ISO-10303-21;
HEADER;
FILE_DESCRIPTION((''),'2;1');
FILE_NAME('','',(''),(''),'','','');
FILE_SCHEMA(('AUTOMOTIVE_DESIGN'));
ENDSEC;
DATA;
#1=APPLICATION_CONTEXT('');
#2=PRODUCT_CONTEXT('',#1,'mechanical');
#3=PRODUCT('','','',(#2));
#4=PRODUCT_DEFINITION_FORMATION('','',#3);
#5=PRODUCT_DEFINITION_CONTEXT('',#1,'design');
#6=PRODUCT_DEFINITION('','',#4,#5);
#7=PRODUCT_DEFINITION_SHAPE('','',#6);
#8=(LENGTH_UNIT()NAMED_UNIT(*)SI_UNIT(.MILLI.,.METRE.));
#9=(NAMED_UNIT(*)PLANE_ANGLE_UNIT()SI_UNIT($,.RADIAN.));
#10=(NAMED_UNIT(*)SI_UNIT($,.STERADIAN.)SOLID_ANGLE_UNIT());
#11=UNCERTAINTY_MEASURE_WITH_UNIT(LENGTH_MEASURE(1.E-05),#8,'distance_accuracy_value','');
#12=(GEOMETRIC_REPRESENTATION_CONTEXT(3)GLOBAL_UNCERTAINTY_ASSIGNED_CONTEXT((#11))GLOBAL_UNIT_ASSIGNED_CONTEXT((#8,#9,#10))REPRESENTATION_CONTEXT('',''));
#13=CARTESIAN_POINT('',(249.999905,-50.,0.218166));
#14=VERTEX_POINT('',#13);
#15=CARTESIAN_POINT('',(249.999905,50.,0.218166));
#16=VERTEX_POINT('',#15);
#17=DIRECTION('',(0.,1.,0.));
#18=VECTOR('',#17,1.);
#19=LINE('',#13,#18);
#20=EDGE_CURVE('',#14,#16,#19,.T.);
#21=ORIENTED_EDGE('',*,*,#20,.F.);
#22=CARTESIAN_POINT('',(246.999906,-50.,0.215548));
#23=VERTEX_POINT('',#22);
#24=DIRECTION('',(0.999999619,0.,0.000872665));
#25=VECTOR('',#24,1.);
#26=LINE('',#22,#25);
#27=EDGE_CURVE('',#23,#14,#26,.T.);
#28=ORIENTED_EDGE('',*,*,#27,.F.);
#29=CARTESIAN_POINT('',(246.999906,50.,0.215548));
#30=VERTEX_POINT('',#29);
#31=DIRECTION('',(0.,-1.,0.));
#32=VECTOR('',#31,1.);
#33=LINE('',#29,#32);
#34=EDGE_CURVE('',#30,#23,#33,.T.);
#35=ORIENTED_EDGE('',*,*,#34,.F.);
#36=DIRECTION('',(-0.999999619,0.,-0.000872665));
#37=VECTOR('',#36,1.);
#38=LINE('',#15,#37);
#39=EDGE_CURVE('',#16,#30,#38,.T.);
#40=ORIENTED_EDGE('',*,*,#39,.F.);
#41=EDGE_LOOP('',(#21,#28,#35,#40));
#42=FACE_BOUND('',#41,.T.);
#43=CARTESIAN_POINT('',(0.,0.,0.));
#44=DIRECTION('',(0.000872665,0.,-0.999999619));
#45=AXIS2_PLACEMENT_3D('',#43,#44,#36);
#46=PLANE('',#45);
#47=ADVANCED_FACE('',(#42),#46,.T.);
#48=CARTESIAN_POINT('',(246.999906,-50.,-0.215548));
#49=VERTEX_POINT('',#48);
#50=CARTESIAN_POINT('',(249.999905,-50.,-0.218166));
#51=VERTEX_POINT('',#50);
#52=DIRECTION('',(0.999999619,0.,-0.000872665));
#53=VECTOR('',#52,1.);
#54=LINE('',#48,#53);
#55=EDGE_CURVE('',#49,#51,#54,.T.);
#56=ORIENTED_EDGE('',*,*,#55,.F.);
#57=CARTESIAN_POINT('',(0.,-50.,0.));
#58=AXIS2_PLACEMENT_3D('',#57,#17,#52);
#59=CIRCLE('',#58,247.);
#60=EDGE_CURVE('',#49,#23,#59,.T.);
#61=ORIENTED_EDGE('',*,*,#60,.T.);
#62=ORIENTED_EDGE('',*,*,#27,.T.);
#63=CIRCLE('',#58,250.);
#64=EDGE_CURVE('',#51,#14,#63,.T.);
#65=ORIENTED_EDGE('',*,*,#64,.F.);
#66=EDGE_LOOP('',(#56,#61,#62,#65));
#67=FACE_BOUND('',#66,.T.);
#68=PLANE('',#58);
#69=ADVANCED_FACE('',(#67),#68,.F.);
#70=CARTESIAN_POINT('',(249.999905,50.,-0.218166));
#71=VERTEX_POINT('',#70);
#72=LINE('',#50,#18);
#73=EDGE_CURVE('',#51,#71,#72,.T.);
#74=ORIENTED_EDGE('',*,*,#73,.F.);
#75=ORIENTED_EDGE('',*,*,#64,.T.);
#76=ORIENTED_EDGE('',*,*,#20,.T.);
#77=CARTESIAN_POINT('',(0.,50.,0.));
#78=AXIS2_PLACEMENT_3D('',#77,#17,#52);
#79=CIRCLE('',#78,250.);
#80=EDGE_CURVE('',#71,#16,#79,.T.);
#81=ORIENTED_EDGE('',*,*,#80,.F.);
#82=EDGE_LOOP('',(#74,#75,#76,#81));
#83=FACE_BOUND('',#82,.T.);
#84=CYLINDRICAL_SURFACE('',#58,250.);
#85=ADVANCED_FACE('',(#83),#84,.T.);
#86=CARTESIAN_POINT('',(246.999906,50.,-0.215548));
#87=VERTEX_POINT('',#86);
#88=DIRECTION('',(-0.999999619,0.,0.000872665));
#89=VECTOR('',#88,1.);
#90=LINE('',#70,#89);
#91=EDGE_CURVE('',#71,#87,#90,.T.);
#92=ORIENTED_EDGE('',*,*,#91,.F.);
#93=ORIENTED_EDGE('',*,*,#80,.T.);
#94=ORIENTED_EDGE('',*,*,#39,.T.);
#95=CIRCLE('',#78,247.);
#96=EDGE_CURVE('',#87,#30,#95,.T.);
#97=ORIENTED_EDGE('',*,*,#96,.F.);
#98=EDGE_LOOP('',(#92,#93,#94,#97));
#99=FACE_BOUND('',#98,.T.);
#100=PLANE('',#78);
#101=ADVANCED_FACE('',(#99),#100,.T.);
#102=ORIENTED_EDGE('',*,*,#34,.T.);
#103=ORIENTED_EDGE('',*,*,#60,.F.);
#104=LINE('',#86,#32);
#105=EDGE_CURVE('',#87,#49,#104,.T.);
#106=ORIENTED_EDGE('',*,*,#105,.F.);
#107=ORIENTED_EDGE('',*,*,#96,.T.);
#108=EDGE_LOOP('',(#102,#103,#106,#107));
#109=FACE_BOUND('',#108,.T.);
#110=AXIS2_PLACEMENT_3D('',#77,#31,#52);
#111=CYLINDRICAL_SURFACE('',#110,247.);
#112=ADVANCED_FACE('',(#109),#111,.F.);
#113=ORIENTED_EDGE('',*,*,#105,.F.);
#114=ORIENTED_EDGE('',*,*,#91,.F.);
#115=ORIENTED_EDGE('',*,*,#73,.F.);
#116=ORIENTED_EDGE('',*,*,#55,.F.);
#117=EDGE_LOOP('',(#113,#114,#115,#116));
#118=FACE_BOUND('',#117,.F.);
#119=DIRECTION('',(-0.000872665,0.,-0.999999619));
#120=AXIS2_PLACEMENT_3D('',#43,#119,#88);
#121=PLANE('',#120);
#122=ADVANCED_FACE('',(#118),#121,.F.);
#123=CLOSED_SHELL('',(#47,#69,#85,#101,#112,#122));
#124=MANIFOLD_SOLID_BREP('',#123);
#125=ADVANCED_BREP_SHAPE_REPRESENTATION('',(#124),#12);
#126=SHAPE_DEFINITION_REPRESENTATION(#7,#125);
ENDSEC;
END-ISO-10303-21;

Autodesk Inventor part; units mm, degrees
ref_plane "YZ Plane" through (0, 0, 0) normal (1, 0, 0) x (0, 1, 0)
ref_plane "XZ Plane" through (0, 0, 0) normal (0, 1, 0) x (-1, 0, 0)
ref_plane "XY Plane" through (0, 0, 0) normal (0, 0, 1) x (1, 0, 0)
sketch "Sketch3" plane through (0, 0, 0) normal (0, 0, 1) x (1, 0, 0)
  line L0 (-250, 50) -> (-247, 50)
  line L1 (-247, 50) -> (-247, -50)
  line L2 (-247, -50) -> (-250, -50)
  line L3 (-250, -50) -> (-250, 50)
  line L4 (0, -70) -> (0, 70) projected
  point P0 (0, 0)
  point P1 (-250, 0)
  dimension "d1" = 3
  dimension "d2" = 100
  dimension "d3" = 250
revolve "Revolution1" add sketch "Sketch3" angle 359.9 mid plane about axis through (0, -10, 0) along (0, 1, 0)
equation "\"BendReliefWidth\" = Thickness"
equation "\"BendReliefDepth\" = 0.5 * Thickness"
equation "\"CornerReliefSize\" = 4 * Thickness"
equation "\"MinimumRemnant\" = 2 * Thickness"
equation "\"TransitionRadius\" = BendRadius"
equation "\"JacobiRadiusSize\" = BendRadius"
equation "\"GapSize\" = Thickness"
equation "\"Thickness\" = 3"
equation "\"BendRadius\" = 5"
properties part number "MSC 035 ring" material "Stainless Steel"
